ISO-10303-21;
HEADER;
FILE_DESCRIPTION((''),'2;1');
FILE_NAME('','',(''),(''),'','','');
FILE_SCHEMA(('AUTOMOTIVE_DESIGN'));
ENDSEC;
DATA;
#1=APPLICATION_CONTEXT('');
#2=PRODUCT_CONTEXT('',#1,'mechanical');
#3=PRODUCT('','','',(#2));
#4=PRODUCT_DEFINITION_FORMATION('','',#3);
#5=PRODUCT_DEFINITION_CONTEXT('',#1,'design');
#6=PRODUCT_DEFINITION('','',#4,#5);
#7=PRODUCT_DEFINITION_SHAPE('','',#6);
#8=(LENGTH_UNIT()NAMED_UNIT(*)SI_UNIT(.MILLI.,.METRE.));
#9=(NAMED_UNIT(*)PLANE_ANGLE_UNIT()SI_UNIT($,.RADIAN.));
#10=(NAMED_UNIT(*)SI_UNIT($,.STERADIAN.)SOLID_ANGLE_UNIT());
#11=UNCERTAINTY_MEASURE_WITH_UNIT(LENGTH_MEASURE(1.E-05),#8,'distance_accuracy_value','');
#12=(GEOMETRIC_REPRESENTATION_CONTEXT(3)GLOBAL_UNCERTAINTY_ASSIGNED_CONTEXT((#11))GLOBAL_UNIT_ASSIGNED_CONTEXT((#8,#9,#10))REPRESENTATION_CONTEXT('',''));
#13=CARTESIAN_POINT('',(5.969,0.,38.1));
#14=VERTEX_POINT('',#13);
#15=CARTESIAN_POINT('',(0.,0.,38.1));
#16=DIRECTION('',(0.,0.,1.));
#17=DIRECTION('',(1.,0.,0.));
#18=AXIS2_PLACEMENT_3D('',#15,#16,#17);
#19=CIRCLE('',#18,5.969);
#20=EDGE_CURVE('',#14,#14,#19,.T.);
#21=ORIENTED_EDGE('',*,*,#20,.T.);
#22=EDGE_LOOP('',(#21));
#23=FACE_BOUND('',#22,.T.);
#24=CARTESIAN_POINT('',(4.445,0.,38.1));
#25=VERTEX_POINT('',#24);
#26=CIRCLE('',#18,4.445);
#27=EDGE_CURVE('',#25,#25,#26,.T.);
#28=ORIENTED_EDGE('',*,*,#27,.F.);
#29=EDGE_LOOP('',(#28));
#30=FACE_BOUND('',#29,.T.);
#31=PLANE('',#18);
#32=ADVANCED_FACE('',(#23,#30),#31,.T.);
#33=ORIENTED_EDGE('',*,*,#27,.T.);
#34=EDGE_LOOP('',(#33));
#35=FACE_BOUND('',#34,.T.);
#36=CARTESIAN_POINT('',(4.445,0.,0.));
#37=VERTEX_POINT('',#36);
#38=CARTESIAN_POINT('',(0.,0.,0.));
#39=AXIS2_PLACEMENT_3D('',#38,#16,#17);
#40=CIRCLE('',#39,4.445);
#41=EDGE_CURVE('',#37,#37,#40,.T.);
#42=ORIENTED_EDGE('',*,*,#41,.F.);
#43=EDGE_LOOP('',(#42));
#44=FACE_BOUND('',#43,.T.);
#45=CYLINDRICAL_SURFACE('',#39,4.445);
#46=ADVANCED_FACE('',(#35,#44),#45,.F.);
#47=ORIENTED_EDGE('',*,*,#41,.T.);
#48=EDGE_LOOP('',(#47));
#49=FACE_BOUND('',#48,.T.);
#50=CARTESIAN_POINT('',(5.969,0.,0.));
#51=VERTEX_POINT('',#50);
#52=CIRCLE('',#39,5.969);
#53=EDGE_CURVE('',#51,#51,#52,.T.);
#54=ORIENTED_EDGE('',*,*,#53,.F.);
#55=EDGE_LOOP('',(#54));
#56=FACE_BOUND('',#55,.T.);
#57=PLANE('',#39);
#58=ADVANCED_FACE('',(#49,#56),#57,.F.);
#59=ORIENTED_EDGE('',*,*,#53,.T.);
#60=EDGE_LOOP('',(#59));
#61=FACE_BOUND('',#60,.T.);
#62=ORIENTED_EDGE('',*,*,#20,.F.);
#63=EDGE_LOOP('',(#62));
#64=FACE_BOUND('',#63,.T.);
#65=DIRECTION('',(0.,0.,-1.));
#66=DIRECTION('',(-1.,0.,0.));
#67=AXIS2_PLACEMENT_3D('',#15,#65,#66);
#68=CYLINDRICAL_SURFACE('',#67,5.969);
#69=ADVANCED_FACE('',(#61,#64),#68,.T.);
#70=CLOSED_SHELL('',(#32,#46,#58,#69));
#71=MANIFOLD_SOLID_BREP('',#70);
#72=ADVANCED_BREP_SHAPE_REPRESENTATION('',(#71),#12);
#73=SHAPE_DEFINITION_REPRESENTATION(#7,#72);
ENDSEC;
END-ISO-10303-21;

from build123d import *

# Parameters (mm, degrees)
SKETCH1_R           = 5.969
BOSS_EXTRUDE1_DEPTH = 38.1
SKETCH2_R           = 4.445
CUT_EXTRUDE1_DEPTH  = 38.1


with BuildPart() as part:
    # Sketch1 → Boss-Extrude1 (new body)
    with BuildSketch(Plane.XY):
        Circle(SKETCH1_R)
    extrude(amount=BOSS_EXTRUDE1_DEPTH)

    # Sketch2 → Cut-Extrude1 (cut)
    with BuildSketch(Plane.XY.offset(38.1)):
        Circle(SKETCH2_R)
    extrude(amount=-CUT_EXTRUDE1_DEPTH, mode=Mode.SUBTRACT)


solid = part.part
